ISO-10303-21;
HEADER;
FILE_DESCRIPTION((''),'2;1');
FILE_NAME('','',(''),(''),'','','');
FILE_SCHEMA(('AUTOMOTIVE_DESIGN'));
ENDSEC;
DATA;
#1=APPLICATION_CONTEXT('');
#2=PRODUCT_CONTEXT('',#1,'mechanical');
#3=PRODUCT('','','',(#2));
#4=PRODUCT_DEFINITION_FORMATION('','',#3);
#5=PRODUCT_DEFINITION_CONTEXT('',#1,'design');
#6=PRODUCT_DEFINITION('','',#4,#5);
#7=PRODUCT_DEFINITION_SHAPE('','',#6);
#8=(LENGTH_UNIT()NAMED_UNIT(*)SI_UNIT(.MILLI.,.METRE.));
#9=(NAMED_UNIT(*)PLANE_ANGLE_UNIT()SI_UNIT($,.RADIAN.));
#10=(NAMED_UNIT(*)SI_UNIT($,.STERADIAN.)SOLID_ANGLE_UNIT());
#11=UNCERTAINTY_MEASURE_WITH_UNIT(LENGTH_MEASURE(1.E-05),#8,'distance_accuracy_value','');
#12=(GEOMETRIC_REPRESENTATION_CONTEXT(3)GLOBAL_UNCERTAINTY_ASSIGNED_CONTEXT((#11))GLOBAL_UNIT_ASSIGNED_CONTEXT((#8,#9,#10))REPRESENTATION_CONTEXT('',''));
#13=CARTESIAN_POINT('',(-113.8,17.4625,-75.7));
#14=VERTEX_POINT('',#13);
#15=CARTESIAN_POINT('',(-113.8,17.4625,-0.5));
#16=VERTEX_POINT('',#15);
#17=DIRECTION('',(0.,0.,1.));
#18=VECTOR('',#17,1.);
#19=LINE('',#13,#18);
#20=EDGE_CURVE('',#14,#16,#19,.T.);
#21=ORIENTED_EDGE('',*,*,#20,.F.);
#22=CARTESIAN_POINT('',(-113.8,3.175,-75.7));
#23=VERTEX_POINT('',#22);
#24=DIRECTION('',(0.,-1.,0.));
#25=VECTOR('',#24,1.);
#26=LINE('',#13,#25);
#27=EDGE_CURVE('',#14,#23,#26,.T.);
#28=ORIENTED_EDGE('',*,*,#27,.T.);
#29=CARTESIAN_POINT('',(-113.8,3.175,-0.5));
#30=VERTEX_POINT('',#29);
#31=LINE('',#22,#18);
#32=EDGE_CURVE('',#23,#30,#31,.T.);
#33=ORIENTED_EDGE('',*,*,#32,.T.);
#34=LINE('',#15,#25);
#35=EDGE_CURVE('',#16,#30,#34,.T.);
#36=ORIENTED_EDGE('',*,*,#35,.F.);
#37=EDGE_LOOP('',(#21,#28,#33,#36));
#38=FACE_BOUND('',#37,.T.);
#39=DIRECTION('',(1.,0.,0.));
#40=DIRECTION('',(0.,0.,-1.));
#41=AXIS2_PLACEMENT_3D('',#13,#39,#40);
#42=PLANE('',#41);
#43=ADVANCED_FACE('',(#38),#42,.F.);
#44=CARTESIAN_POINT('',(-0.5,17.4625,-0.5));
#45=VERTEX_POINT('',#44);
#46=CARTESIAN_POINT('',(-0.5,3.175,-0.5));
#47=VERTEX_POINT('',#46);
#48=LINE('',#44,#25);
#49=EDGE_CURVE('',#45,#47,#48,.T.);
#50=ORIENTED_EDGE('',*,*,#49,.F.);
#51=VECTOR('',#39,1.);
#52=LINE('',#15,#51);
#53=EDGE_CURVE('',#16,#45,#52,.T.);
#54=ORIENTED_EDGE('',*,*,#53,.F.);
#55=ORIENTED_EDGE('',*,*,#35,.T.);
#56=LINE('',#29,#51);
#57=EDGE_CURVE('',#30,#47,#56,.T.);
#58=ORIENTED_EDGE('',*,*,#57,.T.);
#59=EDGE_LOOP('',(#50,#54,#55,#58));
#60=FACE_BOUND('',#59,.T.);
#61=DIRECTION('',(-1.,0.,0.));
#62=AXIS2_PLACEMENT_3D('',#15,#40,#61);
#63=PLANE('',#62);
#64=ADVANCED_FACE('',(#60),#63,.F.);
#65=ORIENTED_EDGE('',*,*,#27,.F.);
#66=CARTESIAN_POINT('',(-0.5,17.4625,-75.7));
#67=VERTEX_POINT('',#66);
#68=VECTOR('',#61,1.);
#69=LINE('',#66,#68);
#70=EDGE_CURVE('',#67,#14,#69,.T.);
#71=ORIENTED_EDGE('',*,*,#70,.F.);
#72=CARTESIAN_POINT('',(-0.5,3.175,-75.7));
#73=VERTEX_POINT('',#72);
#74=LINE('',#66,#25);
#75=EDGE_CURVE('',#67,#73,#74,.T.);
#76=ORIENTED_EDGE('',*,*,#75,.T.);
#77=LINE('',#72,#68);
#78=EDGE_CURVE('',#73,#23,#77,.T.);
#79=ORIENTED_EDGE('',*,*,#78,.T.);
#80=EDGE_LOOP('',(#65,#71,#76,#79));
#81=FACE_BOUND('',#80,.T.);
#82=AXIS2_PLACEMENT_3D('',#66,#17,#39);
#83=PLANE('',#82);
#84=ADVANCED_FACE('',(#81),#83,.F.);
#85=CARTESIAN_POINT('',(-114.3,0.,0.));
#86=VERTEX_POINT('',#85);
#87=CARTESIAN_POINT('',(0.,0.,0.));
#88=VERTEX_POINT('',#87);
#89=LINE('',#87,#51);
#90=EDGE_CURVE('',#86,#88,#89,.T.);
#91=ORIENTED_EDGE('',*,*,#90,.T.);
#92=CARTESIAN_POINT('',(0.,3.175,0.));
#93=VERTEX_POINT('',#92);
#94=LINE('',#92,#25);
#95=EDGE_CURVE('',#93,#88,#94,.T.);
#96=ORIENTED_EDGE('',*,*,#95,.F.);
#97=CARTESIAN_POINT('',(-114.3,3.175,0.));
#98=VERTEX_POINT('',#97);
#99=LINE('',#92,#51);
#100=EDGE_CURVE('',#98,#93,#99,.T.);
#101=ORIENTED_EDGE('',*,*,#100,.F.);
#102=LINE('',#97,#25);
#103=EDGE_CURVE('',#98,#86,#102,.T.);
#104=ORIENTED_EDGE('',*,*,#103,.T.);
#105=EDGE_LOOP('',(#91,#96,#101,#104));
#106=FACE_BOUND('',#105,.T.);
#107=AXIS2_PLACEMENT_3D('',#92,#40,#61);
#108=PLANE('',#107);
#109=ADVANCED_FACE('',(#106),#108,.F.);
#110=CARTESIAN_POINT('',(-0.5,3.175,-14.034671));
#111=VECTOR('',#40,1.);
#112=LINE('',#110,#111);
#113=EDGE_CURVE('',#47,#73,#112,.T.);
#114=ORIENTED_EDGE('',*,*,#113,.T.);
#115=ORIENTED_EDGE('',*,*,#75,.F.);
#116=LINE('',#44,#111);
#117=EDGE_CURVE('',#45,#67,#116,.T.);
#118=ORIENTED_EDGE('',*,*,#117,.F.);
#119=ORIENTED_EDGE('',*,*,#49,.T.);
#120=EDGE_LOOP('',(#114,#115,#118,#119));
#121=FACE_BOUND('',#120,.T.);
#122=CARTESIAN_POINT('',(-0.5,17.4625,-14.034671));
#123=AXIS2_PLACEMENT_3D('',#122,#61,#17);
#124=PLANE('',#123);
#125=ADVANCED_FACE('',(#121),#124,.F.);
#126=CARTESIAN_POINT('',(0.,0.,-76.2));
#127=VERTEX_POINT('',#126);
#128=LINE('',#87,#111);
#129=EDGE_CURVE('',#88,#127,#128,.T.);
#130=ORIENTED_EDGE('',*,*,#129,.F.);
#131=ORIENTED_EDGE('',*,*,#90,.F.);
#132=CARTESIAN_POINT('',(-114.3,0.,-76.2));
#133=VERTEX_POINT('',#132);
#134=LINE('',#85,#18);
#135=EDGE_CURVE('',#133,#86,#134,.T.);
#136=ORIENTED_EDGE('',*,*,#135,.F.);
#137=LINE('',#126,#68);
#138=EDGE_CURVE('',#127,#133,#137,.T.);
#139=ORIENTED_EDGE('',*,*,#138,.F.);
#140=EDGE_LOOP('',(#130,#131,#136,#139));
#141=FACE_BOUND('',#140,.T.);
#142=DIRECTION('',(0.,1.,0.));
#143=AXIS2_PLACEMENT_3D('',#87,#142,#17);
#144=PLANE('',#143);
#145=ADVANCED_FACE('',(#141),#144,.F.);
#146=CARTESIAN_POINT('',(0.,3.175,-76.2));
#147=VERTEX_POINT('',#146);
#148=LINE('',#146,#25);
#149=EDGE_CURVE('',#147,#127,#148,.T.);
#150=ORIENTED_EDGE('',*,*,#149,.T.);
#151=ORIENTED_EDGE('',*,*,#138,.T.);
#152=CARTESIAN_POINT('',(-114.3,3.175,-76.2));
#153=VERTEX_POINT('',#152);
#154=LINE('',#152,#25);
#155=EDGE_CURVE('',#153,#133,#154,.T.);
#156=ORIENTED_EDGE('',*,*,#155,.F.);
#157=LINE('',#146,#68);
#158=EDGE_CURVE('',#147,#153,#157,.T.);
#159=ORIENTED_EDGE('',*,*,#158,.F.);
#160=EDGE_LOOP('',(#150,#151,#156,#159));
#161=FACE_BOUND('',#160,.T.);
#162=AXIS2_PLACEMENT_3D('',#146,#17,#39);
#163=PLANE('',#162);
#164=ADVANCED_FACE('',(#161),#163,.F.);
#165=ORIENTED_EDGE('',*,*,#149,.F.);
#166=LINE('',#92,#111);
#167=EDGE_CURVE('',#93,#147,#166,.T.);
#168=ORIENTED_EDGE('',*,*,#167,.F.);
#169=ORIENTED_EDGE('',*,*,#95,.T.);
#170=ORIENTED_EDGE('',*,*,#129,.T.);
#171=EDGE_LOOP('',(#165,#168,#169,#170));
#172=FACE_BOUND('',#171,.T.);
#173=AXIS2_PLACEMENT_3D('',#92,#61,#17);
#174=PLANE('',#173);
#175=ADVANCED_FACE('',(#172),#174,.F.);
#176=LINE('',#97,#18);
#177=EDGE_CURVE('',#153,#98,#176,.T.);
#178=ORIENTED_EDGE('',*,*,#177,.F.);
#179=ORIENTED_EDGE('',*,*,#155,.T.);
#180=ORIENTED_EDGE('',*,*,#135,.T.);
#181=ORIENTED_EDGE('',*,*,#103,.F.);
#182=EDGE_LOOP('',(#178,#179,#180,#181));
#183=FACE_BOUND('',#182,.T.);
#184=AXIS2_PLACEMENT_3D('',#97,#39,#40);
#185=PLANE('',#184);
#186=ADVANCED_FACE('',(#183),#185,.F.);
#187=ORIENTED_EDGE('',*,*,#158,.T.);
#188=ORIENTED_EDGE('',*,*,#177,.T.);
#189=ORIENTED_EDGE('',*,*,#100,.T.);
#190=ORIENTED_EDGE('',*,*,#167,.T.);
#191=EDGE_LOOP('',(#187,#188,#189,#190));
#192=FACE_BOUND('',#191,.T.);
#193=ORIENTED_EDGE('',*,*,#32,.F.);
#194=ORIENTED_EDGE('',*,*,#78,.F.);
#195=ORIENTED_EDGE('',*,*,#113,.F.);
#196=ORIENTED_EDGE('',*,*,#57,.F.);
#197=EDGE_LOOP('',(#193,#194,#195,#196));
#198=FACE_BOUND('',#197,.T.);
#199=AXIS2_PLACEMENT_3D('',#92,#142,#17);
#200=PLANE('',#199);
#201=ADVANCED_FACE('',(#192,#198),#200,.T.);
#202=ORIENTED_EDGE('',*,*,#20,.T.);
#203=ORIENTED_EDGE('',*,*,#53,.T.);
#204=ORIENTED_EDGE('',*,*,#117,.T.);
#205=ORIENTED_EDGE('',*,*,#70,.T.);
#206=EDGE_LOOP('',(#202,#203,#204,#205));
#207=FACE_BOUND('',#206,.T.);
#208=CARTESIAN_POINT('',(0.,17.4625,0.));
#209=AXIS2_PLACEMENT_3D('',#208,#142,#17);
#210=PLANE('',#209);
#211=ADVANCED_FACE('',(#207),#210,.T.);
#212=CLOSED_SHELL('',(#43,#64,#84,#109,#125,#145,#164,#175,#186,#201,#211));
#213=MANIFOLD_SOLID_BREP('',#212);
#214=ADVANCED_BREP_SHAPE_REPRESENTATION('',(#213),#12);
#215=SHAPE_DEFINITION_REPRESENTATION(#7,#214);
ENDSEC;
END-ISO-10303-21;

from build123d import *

# Parameters (mm, degrees)
SKETCH1_W           = 114.3
SKETCH1_H           = 76.2
BOSS_EXTRUDE1_DEPTH = 3.175
BOSS_EXTRUDE4_DEPTH = 14.2875


with BuildPart() as part:
    # Sketch1 → Boss-Extrude1 (new body)
    with BuildSketch(Plane(origin=(0, 0, 0), x_dir=(1, 0, 0), z_dir=(0, 1, 0))):
        with Locations((-57.15, 38.1)):
            Rectangle(SKETCH1_W, SKETCH1_H)
    extrude(amount=BOSS_EXTRUDE1_DEPTH)

    # Sketch3 → Boss-Extrude4 (add)
    with BuildSketch(Plane(origin=(0, 3.175, 0), x_dir=(1, 0, 0), z_dir=(0, 1, 0))):
        Polygon((-0.5, 75.7), (-113.8, 75.7), (-113.8, 0.5), (-0.5, 0.5), (-0.5, 14.034671148), align=None)
    extrude(amount=BOSS_EXTRUDE4_DEPTH)


solid = part.part
